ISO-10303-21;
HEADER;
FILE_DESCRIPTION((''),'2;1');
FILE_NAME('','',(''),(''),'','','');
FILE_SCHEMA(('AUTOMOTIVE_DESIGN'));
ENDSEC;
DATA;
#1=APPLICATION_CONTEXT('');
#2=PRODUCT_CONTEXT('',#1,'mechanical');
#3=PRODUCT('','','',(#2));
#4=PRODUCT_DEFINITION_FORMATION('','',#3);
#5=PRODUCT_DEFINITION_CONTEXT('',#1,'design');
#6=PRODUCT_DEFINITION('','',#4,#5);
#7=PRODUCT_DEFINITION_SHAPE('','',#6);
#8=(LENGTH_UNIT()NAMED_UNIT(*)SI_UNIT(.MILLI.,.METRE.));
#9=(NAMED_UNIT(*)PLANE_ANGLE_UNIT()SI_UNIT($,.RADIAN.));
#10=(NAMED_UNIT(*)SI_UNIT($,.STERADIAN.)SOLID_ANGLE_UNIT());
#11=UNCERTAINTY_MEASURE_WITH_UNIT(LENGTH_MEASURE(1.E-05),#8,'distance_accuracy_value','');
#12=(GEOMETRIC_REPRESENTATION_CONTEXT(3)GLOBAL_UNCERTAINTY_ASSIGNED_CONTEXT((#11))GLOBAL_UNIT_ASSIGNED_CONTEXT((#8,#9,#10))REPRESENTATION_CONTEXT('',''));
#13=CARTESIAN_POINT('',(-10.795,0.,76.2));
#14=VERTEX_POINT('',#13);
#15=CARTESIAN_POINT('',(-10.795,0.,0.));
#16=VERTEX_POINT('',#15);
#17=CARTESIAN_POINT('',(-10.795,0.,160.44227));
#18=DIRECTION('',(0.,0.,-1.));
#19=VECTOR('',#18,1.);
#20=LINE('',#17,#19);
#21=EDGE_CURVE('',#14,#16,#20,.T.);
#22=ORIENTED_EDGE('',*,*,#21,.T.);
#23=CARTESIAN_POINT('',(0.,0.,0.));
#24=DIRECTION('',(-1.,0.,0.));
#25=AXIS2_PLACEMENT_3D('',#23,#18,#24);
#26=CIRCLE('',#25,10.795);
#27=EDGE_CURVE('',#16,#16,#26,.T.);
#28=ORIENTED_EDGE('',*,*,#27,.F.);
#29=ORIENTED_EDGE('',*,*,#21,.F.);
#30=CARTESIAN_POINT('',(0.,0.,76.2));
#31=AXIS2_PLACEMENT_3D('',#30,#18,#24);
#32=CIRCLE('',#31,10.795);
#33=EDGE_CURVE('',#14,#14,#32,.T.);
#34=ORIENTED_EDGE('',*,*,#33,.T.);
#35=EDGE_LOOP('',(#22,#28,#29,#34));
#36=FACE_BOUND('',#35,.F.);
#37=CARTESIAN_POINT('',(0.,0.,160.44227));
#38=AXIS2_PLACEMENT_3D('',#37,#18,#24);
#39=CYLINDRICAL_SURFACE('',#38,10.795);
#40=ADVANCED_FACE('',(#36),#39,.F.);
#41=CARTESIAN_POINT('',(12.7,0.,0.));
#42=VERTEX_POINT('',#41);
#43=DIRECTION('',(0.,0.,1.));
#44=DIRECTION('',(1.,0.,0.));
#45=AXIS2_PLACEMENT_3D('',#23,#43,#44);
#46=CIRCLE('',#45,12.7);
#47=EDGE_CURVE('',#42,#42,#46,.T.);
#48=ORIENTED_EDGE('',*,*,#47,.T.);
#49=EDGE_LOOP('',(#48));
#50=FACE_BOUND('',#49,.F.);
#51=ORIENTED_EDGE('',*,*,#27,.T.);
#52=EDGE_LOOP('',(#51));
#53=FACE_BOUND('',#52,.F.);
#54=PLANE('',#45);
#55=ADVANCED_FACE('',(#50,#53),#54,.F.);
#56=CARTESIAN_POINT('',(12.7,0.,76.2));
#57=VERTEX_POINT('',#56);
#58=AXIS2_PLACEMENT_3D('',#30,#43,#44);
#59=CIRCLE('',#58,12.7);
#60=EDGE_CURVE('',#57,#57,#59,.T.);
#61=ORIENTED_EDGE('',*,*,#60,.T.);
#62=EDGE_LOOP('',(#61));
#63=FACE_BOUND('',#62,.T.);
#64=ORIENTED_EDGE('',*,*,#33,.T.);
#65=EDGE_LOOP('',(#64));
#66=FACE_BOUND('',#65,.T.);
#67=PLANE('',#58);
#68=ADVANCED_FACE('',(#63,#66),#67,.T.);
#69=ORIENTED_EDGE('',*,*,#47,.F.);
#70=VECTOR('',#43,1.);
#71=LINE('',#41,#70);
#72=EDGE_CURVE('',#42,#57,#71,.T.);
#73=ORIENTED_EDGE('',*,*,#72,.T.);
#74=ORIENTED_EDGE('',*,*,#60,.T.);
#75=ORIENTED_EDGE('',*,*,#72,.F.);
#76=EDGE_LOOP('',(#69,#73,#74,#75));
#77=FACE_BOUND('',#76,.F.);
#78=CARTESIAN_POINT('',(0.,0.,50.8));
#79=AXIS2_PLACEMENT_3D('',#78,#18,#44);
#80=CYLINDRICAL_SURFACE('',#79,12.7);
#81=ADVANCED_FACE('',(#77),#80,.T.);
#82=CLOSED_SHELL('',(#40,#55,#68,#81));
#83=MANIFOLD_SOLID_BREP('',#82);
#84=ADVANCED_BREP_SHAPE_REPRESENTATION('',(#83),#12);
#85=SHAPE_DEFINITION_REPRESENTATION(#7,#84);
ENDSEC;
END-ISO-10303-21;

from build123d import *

# Parameters (mm, degrees)
F0_R      = 12.7
F1_DEPTH  = 50.8
F1_FACE_R = 12.7
F2_DEPTH  = 25.4
F4_D      = 21.59


with BuildPart() as f1:
    # F0 (on Top) → F1 (new body)
    with BuildSketch(Plane.XY):
        Circle(F0_R)
    extrude(amount=F1_DEPTH)

    # F1_face (on face) → F2 (join)
    with BuildSketch(Plane.XY.offset(50.8)):
        Circle(F1_FACE_R)
    extrude(amount=F2_DEPTH)

    # F4 (through all)
    with Locations(Plane.XY.offset(76.2)):
        with Locations((0, 0)):
            Hole(F4_D / 2)


solid = f1.part
